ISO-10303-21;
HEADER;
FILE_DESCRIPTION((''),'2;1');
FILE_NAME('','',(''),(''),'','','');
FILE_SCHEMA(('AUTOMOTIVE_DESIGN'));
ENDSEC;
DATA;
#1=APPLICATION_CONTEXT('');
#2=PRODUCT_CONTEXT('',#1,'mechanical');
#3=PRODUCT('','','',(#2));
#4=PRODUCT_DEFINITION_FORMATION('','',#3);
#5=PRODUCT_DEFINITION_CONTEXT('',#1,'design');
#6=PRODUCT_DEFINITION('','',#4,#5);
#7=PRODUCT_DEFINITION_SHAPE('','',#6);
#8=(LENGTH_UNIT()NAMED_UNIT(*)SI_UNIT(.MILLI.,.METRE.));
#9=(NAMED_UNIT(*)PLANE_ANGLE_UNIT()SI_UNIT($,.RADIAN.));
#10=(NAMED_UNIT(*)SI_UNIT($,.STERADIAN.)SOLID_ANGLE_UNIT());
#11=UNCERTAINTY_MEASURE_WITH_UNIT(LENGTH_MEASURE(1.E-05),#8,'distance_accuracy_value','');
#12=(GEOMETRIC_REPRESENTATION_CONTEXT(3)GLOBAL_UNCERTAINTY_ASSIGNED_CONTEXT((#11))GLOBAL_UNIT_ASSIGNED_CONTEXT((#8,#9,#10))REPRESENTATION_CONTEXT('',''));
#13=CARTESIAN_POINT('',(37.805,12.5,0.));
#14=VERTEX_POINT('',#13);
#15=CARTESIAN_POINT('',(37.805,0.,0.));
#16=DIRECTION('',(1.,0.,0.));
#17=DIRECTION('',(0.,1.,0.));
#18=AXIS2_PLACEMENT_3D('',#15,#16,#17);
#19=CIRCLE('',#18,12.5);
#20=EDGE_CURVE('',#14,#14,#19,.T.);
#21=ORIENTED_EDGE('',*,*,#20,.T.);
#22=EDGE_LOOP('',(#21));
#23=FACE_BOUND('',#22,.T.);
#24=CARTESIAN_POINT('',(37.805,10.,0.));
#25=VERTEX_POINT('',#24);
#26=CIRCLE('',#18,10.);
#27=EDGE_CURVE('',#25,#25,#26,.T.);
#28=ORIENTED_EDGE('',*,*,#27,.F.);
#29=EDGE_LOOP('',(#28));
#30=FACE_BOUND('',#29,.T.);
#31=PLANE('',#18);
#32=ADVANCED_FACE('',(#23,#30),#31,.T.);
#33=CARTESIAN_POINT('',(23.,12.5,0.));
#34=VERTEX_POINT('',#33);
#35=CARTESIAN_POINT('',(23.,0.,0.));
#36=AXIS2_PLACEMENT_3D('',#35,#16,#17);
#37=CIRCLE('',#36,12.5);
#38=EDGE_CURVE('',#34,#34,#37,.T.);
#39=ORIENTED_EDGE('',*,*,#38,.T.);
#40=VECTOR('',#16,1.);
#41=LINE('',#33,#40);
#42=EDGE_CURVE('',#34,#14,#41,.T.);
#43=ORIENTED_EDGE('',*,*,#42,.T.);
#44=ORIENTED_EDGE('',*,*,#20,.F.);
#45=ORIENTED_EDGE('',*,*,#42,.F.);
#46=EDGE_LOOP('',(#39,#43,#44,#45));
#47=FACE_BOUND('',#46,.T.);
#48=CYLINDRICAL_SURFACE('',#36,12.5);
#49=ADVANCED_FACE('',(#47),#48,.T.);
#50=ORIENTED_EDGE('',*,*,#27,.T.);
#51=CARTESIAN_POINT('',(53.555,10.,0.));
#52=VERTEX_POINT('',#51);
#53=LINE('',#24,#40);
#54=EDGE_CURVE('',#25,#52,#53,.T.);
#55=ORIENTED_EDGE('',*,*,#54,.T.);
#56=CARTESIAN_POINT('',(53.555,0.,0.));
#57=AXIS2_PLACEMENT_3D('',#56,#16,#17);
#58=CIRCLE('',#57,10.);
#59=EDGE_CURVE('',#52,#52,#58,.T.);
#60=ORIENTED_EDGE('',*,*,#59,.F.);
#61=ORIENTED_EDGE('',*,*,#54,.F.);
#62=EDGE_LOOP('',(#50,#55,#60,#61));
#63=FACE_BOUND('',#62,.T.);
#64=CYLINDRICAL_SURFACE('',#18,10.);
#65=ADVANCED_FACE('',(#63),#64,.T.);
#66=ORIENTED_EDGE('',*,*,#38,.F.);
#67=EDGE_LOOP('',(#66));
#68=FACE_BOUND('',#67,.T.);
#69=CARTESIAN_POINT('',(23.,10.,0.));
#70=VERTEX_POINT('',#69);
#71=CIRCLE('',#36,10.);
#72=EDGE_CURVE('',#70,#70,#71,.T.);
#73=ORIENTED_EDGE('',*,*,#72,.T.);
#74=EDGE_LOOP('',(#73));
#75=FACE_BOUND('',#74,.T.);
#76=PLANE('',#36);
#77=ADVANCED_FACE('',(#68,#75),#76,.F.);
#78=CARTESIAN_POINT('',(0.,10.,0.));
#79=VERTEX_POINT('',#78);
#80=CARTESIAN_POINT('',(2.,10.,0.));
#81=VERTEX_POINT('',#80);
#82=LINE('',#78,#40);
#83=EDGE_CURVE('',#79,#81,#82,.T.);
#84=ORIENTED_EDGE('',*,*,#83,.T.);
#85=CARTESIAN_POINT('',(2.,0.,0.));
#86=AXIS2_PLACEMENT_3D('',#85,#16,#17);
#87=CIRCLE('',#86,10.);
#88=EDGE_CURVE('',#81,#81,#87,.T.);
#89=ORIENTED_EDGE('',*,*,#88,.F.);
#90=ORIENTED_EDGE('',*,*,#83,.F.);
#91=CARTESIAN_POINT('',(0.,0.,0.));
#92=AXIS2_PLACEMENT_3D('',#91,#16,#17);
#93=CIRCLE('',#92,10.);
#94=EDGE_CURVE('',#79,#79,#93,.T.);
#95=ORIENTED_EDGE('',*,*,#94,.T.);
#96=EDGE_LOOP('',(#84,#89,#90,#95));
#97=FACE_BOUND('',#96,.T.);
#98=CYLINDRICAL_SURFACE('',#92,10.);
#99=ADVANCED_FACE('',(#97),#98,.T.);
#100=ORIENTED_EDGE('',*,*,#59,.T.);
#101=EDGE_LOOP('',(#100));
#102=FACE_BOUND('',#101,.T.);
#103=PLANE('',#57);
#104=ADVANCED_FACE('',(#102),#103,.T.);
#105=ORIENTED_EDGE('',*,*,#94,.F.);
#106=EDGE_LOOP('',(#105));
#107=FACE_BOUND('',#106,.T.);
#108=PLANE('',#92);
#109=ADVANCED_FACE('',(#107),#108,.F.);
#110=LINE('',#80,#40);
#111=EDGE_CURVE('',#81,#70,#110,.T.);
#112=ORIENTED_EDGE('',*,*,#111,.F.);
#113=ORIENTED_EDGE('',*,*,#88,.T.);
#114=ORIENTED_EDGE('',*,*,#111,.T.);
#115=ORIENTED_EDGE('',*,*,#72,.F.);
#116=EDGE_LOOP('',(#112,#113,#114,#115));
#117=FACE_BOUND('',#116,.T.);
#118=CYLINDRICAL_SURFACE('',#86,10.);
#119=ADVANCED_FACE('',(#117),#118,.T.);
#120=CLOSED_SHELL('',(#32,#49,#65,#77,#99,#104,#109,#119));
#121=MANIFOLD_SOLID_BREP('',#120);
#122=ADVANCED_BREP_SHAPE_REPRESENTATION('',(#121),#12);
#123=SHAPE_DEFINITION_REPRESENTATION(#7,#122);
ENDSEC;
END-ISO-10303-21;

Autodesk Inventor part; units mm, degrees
ref_plane "YZ Plane" through (0, 0, 0) normal (1, 0, 0) x (0, 1, 0)
ref_plane "XZ Plane" through (0, 0, 0) normal (0, 1, 0) x (-1, 0, 0)
ref_plane "XY Plane" through (0, 0, 0) normal (0, 0, 1) x (1, 0, 0)
sketch "Эскиз1" plane through (0, 0, 0) normal (0, 0, 1) x (1, 0, 0)
  line L0 (0, 0) -> (53.555, 0)
  line L1 (0, 0) -> (0, 10)
  line L2 (37.805, 12.5) -> (37.805, 10)
  line L3 (37.805, 10) -> (53.555, 10)
  line L4 (53.555, 10) -> (53.555, 0)
  line L5 (2, 10) -> (2, 10)
  line L6 (2, 10) -> (23, 10)
  line L7 (23, 10) -> (23, 12.5)
  line L8 (0, 10) -> (2, 10)
  line L9 (23, 12.5) -> (37.805, 12.5)
  dimension "d0" = 20
  dimension "d2" = 15.75
  dimension "d5" = 20
  dimension "d6" = 21
  dimension "d7" = 2
  dimension "d8" = 20
  dimension "d9" = 25
  dimension "d10" = 37.805
revolve "Вращение1" add sketch "Эскиз1" angle 360 about axis through (0, 0, 0) along (1, 0, 0)
properties part number "Валл_резина"
